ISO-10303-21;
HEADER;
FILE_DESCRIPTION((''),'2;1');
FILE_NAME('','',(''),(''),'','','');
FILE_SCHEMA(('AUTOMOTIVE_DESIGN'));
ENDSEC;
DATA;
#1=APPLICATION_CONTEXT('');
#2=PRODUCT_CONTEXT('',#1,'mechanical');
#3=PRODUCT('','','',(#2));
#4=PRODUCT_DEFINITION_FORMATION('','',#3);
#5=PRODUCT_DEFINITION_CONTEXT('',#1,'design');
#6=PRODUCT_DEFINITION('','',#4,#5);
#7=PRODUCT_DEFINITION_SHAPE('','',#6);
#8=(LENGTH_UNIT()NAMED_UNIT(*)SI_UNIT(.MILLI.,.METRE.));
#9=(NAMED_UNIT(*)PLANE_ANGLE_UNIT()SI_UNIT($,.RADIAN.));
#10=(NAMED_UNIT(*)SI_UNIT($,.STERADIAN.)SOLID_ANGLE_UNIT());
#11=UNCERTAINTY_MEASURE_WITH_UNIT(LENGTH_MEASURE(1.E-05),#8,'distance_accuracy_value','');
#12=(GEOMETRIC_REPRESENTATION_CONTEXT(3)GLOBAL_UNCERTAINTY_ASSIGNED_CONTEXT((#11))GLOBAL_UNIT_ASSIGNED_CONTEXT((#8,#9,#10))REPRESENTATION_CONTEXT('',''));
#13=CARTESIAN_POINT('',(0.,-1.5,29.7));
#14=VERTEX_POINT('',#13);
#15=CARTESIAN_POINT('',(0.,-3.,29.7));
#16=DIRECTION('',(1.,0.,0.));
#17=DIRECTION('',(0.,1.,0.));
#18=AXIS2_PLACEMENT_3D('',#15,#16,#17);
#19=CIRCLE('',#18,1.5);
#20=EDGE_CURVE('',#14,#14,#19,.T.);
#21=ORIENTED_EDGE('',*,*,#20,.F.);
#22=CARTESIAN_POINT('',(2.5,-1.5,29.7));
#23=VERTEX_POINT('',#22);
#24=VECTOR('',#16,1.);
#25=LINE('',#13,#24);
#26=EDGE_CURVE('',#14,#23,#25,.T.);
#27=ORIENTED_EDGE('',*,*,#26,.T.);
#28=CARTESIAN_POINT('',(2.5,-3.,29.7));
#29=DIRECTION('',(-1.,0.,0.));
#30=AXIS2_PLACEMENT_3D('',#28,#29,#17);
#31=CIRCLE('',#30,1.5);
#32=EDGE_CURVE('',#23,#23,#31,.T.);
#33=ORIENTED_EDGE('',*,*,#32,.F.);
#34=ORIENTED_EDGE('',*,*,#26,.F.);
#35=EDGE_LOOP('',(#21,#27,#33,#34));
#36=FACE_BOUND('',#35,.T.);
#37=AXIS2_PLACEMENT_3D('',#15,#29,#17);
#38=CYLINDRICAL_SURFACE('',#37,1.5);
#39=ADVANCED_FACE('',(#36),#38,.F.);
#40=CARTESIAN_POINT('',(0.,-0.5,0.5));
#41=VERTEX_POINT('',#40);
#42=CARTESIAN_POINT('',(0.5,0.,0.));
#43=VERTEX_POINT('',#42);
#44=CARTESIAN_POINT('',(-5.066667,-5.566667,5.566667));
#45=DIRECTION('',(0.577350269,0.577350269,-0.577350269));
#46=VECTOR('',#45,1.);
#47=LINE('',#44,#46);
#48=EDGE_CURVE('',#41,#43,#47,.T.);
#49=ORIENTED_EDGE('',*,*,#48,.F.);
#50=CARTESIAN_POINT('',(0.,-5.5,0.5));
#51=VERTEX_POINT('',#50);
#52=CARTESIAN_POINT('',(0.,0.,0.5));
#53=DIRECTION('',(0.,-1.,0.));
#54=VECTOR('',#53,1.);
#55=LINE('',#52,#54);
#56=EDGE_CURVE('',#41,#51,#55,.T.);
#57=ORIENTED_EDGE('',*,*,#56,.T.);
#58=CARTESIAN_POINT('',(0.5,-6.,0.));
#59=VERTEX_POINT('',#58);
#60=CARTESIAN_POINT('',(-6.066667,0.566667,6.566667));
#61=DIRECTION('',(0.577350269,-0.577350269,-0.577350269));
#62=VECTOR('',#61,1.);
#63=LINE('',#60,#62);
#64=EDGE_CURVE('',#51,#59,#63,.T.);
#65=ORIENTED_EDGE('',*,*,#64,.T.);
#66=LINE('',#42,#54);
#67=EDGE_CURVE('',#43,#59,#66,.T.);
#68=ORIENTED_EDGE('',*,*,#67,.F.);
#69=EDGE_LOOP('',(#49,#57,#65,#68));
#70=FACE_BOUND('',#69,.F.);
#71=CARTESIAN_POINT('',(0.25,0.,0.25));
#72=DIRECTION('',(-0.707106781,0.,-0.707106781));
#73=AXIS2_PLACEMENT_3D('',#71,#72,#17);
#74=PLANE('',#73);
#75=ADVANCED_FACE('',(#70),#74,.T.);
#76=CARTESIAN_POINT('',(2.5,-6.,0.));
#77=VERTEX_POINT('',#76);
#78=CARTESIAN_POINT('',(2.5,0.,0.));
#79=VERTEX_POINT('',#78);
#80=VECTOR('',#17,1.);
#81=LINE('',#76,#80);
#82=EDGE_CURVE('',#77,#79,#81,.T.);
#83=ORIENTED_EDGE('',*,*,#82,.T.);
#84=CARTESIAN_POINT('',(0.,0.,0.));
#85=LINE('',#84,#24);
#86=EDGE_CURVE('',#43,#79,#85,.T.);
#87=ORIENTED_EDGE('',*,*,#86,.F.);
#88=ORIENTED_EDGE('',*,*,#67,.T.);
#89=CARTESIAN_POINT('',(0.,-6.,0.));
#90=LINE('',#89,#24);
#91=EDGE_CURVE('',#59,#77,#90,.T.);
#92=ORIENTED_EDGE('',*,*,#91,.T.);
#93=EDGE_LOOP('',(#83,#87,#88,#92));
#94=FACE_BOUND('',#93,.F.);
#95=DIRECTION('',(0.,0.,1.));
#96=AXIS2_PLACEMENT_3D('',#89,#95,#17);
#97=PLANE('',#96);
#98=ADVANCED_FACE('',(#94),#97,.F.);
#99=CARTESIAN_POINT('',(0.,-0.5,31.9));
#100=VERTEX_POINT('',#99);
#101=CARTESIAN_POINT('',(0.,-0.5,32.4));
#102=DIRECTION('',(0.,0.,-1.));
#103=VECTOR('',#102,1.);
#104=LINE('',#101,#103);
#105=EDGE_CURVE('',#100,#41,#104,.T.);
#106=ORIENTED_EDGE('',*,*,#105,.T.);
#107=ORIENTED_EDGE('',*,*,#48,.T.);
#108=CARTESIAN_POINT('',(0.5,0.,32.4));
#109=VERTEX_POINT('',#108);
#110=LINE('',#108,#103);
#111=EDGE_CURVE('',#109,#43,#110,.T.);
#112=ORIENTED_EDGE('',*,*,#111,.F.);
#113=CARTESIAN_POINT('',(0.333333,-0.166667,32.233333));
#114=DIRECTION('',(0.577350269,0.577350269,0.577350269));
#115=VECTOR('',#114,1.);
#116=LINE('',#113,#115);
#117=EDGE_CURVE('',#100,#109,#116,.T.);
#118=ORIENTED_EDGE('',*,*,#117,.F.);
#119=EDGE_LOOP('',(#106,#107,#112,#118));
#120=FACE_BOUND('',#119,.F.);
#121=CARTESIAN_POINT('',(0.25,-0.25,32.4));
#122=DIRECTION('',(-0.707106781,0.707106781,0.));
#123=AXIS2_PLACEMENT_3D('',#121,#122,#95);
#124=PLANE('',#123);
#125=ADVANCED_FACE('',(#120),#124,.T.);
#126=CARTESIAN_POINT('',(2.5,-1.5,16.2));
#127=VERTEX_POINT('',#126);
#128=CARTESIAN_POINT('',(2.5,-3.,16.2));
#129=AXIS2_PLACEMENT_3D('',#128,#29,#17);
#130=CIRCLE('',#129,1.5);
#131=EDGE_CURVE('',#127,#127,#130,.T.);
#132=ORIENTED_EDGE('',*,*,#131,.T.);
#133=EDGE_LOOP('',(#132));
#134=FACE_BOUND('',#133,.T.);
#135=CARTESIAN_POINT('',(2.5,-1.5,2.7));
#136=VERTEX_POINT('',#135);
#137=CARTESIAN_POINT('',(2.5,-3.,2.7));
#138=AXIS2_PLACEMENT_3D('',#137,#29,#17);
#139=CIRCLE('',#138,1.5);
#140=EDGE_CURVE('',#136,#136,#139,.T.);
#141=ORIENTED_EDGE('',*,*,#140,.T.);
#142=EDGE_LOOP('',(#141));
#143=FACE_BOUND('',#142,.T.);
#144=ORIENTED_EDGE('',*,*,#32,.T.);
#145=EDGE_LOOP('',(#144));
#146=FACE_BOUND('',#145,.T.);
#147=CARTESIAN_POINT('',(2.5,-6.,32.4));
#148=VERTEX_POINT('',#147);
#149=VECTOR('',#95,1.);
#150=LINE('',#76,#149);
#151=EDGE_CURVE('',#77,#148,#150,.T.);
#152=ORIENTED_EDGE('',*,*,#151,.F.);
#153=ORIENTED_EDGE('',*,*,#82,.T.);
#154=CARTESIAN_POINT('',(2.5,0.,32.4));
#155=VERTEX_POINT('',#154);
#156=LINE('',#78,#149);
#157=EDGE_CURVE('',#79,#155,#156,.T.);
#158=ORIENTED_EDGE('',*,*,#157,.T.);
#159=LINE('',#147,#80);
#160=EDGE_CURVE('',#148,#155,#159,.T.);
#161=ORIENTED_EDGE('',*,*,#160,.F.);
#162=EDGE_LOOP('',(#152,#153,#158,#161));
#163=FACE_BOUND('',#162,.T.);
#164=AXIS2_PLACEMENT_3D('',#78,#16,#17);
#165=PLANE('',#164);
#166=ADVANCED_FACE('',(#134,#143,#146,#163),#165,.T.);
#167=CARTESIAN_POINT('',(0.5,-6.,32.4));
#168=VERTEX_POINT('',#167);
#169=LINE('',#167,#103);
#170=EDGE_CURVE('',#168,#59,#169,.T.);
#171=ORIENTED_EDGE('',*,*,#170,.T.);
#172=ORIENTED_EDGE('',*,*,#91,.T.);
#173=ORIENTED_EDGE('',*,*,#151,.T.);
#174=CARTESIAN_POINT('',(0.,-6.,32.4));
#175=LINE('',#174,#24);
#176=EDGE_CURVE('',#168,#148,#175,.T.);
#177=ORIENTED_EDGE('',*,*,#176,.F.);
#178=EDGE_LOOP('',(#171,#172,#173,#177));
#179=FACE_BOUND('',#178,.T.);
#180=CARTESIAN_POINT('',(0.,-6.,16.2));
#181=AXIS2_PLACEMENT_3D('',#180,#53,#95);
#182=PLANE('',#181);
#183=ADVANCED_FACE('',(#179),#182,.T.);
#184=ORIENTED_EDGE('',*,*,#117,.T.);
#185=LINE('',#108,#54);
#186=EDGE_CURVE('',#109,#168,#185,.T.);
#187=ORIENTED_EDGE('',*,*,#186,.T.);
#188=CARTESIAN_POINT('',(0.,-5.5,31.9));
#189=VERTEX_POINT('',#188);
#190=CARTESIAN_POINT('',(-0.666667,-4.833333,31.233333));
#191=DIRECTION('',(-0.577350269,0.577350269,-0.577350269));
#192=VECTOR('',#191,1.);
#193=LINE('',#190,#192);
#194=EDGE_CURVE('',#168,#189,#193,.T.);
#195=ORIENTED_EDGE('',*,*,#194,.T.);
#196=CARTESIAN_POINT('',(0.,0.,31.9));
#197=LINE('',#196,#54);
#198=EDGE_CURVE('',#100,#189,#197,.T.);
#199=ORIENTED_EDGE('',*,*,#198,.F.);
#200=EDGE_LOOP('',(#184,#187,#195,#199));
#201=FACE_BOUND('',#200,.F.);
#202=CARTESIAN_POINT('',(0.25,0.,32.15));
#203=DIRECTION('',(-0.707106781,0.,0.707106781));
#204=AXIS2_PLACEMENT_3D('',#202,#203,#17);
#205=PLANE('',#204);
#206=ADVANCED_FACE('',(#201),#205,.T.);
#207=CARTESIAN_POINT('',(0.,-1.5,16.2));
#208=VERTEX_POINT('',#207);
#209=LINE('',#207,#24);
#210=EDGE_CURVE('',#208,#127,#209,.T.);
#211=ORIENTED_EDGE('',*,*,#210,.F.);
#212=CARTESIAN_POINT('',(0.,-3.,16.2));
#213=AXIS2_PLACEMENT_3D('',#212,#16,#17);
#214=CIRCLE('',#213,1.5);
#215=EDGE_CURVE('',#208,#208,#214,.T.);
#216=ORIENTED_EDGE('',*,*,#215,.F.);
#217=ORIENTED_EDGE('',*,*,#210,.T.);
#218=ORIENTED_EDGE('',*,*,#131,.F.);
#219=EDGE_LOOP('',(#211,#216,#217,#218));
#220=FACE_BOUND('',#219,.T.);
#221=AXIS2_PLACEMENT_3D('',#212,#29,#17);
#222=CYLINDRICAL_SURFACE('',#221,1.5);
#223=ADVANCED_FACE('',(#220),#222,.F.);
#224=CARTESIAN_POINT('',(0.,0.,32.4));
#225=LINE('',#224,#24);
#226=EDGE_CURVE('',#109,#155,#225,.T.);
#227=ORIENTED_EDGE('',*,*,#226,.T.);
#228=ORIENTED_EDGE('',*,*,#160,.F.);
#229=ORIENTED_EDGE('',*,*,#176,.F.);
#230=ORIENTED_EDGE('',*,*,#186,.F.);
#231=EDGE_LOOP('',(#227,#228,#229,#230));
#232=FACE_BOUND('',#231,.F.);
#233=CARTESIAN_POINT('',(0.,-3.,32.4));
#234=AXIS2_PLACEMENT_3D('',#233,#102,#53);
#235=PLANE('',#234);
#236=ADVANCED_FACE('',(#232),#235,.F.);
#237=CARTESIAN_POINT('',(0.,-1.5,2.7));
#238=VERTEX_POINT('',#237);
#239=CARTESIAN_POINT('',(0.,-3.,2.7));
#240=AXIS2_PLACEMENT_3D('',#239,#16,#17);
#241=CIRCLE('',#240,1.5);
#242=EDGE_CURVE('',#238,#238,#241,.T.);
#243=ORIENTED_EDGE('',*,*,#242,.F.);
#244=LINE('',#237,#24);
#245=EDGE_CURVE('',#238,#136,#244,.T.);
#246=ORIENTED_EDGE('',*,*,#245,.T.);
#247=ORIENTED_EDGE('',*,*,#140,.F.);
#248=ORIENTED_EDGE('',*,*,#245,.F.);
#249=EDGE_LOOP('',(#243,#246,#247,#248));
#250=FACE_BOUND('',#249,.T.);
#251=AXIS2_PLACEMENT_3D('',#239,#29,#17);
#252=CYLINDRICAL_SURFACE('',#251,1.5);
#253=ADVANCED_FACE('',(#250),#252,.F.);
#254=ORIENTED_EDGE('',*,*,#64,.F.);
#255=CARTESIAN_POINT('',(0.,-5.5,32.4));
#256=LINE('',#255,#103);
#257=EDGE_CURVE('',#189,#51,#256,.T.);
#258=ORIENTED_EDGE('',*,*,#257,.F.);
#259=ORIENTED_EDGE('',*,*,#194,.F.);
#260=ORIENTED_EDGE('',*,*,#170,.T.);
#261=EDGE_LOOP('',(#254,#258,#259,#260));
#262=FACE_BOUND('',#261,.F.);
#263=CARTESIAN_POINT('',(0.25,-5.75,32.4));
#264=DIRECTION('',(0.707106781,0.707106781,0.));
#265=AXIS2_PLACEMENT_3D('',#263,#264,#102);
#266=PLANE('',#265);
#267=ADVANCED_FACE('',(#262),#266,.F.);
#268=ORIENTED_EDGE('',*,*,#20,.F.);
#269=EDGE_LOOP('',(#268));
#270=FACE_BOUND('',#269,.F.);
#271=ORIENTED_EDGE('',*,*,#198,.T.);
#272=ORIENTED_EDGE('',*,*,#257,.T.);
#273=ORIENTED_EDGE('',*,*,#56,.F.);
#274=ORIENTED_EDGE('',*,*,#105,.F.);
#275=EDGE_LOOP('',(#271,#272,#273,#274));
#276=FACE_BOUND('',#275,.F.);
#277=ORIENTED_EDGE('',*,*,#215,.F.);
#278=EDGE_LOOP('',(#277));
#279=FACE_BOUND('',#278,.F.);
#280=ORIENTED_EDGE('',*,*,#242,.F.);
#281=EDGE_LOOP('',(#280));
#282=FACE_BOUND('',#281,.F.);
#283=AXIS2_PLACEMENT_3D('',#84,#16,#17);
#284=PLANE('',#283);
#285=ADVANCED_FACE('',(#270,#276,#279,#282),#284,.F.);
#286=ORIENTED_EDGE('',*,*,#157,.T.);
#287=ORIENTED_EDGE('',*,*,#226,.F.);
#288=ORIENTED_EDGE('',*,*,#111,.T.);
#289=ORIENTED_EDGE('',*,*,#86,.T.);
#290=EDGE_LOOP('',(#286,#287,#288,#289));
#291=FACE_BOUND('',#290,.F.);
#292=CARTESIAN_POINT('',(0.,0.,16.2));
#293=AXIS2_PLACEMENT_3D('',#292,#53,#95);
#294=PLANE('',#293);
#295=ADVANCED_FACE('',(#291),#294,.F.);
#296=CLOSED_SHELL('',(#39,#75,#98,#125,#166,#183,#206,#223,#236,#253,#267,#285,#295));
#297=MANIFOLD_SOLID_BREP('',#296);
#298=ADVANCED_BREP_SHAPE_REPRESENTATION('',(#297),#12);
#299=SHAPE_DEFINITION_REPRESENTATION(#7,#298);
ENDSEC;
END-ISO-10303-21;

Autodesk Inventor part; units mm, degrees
ref_plane "YZ Plane" through (0, 0, 0) normal (1, 0, 0) x (0, 1, 0)
ref_plane "XZ Plane" through (0, 0, 0) normal (0, 1, 0) x (-1, 0, 0)
ref_plane "XY Plane" through (0, 0, 0) normal (0, 0, 1) x (1, 0, 0)
sketch "스케치1" plane through (0, 0, 0) normal (1, 0, 0) x (0, 1, 0)
  line L0 (-6, 16.2) -> (-3, 16.2)
  line L1 (-3, 16.2) -> (0, 16.2)
  circle A0 centre (-3, 16.2) radius 1.5
  line L2 (-3, 16.2) -> (-3, 29.7)
  circle A1 centre (-3, 29.7) radius 1.5
  line L3 (-3, 16.2) -> (-3, 2.7)
  circle A2 centre (-3, 2.7) radius 1.5
  line L4 (-3, 29.7) -> (-3, 32.4)
  line L5 (-3, 32.4) -> (0, 32.4)
  line L6 (-3, 2.7) -> (-3, 0)
  line L7 (-3, 0) -> (0, 0)
  line L8 (0, 0) -> (0, 32.4)
  line L9 (-3, 32.4) -> (-6, 32.4)
  line L10 (-6, 0) -> (-3, 0)
  line L11 (-6, 0) -> (-6, 32.4)
  dimension "d0" = 3
  dimension "d1" = 3
  dimension "d2" = 3
  dimension "d3" = 13.5
  dimension "d4" = 3
  dimension "d5" = 13.5
  dimension "d6" = 3
  dimension "d7" = 2.7
  dimension "d8" = 2.7
extrude "돌출1" add sketch "스케치1" along normal blind 2.5 contours L11 L9 L4 A1 L2 A0 L0 | L0 A0 L3 A2 L6 L10 L11 | L2 A1 L4 L5 L8 L1 A0 | A0 L1 L8 L7 L6 A2 L3
chamfer "모따기1" distance 0.5 angle 45 4 edges at (0, 0, 16.2) (0, -1.5, 0) (0, -6, 16.2) (0, -4.5, 32.4)
properties part number "x 캐리지 벨트고정"
